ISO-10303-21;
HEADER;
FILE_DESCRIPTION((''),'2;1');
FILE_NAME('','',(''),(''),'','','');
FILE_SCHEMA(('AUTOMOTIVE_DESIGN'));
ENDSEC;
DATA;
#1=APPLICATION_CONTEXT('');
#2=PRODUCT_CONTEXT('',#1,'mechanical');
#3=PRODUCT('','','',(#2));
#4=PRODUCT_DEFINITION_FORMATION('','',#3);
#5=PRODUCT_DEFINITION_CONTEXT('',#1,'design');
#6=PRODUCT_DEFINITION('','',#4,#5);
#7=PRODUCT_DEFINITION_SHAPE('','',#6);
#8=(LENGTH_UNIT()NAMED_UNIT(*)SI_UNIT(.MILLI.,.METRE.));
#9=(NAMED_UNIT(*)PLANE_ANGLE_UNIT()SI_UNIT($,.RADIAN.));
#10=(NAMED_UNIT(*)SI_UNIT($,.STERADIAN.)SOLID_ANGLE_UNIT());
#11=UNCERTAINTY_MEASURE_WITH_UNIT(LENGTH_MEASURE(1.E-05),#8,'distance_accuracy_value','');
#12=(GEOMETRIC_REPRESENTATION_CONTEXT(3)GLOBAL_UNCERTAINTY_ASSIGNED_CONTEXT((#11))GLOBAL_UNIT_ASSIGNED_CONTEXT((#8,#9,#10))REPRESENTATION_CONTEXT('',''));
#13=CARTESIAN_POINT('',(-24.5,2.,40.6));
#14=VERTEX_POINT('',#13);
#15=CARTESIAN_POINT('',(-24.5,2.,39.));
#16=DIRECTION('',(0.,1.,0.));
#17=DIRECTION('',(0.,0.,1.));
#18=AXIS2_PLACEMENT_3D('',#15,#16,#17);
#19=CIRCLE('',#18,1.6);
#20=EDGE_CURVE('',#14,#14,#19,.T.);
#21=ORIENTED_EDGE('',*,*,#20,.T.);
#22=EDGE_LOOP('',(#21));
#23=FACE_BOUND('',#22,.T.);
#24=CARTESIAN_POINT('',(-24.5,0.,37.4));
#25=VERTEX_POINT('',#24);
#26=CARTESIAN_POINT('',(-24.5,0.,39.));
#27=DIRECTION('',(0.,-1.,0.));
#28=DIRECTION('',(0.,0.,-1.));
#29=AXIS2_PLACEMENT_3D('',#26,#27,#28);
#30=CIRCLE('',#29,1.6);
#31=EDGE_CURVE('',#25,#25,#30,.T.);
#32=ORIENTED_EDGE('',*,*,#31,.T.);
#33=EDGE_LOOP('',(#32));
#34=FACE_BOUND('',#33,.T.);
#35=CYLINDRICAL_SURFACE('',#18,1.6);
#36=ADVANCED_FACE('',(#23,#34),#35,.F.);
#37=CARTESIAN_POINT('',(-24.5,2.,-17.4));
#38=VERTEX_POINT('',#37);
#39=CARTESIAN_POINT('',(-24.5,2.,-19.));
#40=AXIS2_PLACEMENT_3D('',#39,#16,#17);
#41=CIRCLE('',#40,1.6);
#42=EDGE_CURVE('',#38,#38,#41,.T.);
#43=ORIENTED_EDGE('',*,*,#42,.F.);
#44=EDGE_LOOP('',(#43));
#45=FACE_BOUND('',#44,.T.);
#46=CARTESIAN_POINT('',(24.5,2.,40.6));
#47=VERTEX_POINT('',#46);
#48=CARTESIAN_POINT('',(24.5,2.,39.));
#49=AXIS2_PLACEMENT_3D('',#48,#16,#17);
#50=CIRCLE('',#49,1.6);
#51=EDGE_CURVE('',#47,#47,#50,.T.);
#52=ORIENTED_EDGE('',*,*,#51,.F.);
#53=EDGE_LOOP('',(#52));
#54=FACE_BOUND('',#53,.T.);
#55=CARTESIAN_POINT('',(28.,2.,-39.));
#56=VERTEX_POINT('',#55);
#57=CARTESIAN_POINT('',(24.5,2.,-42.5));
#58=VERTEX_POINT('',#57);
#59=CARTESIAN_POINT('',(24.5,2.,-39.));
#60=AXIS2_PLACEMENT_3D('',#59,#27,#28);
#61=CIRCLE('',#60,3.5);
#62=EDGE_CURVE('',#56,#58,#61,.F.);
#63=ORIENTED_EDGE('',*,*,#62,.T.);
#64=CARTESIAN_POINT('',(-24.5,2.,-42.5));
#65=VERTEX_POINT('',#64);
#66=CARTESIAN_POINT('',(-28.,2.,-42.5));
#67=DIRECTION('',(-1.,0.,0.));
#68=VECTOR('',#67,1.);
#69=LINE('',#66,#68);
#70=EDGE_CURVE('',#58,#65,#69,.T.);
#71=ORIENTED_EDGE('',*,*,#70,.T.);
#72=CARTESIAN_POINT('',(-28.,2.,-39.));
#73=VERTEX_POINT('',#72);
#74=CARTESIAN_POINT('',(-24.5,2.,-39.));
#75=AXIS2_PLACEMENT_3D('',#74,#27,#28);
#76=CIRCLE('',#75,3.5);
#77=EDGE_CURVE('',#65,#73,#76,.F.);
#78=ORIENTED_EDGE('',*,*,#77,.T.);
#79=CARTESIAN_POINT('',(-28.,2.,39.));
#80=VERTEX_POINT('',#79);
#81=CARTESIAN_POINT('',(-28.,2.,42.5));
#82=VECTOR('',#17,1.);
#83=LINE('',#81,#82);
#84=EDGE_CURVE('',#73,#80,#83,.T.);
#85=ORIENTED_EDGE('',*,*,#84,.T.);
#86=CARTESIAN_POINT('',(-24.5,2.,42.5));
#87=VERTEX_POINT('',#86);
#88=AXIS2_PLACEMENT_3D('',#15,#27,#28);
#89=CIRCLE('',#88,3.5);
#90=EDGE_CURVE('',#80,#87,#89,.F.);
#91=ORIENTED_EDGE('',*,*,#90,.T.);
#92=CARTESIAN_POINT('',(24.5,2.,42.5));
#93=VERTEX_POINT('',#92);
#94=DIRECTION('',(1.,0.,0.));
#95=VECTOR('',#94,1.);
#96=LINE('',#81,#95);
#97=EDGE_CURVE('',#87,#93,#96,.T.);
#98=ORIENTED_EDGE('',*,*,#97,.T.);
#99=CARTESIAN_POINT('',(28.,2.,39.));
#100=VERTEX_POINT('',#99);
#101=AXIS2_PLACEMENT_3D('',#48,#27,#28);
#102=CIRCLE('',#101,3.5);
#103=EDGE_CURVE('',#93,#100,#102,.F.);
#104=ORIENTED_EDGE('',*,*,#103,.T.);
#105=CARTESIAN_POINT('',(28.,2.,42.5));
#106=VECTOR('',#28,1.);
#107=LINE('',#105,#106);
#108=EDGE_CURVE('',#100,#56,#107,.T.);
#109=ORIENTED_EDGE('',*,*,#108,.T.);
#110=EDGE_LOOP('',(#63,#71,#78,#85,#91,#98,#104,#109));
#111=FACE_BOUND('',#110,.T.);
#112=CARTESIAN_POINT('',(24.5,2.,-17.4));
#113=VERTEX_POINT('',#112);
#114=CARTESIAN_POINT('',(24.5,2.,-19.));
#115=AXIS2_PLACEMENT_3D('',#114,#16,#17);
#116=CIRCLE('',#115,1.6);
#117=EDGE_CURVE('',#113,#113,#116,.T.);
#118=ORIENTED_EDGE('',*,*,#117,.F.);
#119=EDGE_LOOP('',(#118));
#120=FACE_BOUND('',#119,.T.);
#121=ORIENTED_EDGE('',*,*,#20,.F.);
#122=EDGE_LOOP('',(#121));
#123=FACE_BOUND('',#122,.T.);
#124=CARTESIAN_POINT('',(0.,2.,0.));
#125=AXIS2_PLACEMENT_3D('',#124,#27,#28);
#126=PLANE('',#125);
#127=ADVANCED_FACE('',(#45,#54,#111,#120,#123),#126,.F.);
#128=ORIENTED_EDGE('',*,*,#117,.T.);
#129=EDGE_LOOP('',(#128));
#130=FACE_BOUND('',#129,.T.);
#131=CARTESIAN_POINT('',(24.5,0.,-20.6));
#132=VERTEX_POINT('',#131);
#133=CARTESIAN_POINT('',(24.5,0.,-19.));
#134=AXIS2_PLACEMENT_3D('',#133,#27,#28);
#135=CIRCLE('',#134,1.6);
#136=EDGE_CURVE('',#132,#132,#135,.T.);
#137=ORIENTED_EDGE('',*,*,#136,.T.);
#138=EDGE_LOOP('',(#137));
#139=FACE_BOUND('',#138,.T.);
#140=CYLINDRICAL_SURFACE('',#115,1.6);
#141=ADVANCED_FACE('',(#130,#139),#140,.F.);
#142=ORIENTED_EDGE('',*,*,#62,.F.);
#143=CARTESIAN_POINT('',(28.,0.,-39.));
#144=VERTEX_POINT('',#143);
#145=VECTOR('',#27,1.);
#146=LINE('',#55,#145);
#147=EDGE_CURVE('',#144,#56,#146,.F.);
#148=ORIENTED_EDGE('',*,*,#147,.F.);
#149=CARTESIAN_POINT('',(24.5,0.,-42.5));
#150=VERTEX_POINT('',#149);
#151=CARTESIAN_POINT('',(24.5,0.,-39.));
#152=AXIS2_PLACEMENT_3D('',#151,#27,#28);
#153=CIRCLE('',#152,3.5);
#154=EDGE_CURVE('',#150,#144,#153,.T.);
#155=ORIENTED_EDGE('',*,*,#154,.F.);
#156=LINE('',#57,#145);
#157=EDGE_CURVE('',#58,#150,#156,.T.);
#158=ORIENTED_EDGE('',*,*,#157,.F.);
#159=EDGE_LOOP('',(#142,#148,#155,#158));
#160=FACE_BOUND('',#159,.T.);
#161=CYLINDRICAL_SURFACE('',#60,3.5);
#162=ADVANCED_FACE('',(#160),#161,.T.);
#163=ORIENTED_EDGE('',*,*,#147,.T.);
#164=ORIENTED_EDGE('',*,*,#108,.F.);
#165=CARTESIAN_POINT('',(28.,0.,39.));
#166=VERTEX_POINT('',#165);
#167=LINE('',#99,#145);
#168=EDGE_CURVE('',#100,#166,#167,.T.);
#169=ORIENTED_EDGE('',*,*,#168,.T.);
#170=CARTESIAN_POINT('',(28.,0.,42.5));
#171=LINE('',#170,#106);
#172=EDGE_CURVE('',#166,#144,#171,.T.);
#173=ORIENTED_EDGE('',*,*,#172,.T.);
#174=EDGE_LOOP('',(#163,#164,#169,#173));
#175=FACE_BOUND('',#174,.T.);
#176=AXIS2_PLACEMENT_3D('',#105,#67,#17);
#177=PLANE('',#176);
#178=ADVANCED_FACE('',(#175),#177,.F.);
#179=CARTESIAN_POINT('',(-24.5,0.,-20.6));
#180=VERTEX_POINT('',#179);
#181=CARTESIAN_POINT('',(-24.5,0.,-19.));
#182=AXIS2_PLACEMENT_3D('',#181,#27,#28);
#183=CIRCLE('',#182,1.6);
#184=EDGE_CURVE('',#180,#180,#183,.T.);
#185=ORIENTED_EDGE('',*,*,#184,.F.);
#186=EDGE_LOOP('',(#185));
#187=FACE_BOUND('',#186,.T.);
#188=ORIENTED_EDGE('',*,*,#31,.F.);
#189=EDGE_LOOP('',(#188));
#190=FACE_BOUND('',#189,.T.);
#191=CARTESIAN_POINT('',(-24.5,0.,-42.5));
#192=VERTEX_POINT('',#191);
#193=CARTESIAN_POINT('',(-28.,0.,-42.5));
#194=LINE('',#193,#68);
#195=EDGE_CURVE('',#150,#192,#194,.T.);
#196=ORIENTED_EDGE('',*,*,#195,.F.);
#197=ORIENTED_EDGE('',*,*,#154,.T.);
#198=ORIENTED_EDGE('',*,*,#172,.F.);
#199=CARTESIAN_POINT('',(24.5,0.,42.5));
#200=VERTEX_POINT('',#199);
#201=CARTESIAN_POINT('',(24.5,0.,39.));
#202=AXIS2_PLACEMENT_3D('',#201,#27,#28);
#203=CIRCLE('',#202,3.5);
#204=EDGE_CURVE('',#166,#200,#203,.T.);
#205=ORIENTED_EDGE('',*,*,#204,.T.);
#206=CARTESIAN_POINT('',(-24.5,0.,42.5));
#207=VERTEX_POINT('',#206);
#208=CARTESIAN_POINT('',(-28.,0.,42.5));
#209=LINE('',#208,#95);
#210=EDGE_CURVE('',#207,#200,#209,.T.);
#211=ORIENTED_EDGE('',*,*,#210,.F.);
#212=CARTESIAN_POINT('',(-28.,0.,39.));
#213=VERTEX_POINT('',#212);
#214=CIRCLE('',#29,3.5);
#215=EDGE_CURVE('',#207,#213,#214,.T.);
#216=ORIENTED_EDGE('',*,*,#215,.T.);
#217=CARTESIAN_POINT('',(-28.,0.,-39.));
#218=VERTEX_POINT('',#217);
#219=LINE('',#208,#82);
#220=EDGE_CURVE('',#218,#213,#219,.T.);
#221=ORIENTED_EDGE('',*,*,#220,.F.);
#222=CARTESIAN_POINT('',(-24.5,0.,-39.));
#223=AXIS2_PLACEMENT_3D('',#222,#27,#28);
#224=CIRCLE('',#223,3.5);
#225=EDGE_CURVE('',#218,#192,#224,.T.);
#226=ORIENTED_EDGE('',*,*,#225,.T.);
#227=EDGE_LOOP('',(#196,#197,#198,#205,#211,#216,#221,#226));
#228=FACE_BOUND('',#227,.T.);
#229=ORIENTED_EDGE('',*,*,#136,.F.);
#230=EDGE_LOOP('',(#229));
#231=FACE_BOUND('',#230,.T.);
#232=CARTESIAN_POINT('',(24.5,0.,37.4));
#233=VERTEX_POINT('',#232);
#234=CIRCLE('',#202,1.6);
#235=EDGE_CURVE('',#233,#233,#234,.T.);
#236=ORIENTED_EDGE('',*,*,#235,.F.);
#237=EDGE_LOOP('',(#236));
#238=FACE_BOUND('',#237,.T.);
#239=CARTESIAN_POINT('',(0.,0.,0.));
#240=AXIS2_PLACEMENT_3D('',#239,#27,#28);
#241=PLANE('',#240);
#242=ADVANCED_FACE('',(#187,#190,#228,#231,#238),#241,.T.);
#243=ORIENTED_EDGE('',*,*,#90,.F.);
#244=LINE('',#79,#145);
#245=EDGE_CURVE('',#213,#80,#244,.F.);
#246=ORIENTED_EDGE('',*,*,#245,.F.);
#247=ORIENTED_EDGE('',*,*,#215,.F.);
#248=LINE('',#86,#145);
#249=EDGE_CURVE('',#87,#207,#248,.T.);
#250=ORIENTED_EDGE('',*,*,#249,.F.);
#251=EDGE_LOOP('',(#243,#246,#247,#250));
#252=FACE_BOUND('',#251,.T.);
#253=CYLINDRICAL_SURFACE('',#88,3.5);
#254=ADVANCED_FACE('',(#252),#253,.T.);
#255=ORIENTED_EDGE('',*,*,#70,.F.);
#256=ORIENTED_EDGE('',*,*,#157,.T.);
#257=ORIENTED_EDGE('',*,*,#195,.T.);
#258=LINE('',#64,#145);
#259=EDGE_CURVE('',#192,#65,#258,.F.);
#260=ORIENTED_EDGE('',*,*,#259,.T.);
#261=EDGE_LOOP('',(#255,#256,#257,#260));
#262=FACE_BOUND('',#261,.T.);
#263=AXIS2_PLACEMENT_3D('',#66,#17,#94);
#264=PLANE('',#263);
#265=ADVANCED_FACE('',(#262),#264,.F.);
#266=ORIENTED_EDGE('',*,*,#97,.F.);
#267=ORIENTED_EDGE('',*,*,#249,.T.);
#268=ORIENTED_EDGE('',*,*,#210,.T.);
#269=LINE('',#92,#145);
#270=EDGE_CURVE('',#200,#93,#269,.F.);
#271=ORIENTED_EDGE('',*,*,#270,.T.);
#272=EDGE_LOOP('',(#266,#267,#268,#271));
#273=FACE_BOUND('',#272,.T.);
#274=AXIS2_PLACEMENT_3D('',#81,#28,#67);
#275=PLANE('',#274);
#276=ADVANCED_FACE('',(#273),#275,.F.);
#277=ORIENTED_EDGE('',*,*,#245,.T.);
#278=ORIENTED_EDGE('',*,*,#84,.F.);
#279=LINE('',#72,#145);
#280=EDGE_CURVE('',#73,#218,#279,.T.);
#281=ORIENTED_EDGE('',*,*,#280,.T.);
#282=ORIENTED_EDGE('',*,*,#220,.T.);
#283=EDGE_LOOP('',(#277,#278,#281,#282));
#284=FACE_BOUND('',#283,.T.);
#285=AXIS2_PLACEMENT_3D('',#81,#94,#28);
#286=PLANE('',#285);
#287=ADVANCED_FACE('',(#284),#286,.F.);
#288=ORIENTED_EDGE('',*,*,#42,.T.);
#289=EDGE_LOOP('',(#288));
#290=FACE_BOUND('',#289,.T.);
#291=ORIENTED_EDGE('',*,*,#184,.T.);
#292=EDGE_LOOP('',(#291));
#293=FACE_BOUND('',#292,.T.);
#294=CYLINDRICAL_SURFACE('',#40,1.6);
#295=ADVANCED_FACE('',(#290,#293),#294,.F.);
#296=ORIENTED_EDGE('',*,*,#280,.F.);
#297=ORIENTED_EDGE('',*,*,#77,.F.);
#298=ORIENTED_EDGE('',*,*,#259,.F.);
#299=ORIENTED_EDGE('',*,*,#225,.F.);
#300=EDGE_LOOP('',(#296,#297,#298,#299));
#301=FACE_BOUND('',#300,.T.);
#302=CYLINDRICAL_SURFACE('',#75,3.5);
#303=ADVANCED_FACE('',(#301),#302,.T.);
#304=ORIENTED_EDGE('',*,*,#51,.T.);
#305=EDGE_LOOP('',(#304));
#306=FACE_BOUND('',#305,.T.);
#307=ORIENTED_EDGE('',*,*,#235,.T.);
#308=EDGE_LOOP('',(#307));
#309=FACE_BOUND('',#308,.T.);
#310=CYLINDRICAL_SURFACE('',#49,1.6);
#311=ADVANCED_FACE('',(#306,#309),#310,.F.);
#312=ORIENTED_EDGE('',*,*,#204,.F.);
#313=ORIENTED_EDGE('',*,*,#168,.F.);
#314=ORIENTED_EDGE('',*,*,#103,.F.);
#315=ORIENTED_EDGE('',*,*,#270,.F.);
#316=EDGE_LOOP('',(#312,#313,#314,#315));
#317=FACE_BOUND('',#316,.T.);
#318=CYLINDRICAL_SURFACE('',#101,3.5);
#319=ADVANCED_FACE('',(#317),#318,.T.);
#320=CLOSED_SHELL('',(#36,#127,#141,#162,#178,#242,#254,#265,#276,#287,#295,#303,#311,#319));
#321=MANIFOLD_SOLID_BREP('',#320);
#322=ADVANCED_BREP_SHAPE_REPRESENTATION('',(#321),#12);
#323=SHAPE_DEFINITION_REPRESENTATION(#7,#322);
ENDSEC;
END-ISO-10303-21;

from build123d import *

# Parameters (mm, degrees)
SKETCH1_W                = 56
SKETCH1_H                = 85
BOSS_EXTRUDE1_DEPTH      = 2
M3_CLEARANCE_HOLE1_D     = 3.2
M3_CLEARANCE_HOLE1_DEPTH = 2
VERRUNDUNG1_R            = 3.5


with BuildPart() as part:
    # Sketch1 → Boss-Extrude1 (new body)
    with BuildSketch(Plane(origin=(0, 0, 0), x_dir=(1, 0, 0), z_dir=(0, 1, 0))):
        Rectangle(SKETCH1_W, SKETCH1_H)
    extrude(amount=BOSS_EXTRUDE1_DEPTH)

    # M3 Clearance Hole1
    with Locations(Plane(origin=(0, 2, 0), x_dir=(1, 0, 0), z_dir=(0, 1, 0))):
        with Locations((-24.5, 19), (24.5, -39), (-24.5, -39), (24.5, 19)):
            Hole(M3_CLEARANCE_HOLE1_D / 2, depth=M3_CLEARANCE_HOLE1_DEPTH)

    # Verrundung1
    verrundung1_edges = [part.edges().sort_by_distance(p)[0] for p in [
        (28, 1, 42.5),
        (-28, 1, 42.5),
        (-28, 1, -42.5),
        (28, 1, -42.5),
    ]]
    fillet(verrundung1_edges, radius=VERRUNDUNG1_R)


solid = part.part
